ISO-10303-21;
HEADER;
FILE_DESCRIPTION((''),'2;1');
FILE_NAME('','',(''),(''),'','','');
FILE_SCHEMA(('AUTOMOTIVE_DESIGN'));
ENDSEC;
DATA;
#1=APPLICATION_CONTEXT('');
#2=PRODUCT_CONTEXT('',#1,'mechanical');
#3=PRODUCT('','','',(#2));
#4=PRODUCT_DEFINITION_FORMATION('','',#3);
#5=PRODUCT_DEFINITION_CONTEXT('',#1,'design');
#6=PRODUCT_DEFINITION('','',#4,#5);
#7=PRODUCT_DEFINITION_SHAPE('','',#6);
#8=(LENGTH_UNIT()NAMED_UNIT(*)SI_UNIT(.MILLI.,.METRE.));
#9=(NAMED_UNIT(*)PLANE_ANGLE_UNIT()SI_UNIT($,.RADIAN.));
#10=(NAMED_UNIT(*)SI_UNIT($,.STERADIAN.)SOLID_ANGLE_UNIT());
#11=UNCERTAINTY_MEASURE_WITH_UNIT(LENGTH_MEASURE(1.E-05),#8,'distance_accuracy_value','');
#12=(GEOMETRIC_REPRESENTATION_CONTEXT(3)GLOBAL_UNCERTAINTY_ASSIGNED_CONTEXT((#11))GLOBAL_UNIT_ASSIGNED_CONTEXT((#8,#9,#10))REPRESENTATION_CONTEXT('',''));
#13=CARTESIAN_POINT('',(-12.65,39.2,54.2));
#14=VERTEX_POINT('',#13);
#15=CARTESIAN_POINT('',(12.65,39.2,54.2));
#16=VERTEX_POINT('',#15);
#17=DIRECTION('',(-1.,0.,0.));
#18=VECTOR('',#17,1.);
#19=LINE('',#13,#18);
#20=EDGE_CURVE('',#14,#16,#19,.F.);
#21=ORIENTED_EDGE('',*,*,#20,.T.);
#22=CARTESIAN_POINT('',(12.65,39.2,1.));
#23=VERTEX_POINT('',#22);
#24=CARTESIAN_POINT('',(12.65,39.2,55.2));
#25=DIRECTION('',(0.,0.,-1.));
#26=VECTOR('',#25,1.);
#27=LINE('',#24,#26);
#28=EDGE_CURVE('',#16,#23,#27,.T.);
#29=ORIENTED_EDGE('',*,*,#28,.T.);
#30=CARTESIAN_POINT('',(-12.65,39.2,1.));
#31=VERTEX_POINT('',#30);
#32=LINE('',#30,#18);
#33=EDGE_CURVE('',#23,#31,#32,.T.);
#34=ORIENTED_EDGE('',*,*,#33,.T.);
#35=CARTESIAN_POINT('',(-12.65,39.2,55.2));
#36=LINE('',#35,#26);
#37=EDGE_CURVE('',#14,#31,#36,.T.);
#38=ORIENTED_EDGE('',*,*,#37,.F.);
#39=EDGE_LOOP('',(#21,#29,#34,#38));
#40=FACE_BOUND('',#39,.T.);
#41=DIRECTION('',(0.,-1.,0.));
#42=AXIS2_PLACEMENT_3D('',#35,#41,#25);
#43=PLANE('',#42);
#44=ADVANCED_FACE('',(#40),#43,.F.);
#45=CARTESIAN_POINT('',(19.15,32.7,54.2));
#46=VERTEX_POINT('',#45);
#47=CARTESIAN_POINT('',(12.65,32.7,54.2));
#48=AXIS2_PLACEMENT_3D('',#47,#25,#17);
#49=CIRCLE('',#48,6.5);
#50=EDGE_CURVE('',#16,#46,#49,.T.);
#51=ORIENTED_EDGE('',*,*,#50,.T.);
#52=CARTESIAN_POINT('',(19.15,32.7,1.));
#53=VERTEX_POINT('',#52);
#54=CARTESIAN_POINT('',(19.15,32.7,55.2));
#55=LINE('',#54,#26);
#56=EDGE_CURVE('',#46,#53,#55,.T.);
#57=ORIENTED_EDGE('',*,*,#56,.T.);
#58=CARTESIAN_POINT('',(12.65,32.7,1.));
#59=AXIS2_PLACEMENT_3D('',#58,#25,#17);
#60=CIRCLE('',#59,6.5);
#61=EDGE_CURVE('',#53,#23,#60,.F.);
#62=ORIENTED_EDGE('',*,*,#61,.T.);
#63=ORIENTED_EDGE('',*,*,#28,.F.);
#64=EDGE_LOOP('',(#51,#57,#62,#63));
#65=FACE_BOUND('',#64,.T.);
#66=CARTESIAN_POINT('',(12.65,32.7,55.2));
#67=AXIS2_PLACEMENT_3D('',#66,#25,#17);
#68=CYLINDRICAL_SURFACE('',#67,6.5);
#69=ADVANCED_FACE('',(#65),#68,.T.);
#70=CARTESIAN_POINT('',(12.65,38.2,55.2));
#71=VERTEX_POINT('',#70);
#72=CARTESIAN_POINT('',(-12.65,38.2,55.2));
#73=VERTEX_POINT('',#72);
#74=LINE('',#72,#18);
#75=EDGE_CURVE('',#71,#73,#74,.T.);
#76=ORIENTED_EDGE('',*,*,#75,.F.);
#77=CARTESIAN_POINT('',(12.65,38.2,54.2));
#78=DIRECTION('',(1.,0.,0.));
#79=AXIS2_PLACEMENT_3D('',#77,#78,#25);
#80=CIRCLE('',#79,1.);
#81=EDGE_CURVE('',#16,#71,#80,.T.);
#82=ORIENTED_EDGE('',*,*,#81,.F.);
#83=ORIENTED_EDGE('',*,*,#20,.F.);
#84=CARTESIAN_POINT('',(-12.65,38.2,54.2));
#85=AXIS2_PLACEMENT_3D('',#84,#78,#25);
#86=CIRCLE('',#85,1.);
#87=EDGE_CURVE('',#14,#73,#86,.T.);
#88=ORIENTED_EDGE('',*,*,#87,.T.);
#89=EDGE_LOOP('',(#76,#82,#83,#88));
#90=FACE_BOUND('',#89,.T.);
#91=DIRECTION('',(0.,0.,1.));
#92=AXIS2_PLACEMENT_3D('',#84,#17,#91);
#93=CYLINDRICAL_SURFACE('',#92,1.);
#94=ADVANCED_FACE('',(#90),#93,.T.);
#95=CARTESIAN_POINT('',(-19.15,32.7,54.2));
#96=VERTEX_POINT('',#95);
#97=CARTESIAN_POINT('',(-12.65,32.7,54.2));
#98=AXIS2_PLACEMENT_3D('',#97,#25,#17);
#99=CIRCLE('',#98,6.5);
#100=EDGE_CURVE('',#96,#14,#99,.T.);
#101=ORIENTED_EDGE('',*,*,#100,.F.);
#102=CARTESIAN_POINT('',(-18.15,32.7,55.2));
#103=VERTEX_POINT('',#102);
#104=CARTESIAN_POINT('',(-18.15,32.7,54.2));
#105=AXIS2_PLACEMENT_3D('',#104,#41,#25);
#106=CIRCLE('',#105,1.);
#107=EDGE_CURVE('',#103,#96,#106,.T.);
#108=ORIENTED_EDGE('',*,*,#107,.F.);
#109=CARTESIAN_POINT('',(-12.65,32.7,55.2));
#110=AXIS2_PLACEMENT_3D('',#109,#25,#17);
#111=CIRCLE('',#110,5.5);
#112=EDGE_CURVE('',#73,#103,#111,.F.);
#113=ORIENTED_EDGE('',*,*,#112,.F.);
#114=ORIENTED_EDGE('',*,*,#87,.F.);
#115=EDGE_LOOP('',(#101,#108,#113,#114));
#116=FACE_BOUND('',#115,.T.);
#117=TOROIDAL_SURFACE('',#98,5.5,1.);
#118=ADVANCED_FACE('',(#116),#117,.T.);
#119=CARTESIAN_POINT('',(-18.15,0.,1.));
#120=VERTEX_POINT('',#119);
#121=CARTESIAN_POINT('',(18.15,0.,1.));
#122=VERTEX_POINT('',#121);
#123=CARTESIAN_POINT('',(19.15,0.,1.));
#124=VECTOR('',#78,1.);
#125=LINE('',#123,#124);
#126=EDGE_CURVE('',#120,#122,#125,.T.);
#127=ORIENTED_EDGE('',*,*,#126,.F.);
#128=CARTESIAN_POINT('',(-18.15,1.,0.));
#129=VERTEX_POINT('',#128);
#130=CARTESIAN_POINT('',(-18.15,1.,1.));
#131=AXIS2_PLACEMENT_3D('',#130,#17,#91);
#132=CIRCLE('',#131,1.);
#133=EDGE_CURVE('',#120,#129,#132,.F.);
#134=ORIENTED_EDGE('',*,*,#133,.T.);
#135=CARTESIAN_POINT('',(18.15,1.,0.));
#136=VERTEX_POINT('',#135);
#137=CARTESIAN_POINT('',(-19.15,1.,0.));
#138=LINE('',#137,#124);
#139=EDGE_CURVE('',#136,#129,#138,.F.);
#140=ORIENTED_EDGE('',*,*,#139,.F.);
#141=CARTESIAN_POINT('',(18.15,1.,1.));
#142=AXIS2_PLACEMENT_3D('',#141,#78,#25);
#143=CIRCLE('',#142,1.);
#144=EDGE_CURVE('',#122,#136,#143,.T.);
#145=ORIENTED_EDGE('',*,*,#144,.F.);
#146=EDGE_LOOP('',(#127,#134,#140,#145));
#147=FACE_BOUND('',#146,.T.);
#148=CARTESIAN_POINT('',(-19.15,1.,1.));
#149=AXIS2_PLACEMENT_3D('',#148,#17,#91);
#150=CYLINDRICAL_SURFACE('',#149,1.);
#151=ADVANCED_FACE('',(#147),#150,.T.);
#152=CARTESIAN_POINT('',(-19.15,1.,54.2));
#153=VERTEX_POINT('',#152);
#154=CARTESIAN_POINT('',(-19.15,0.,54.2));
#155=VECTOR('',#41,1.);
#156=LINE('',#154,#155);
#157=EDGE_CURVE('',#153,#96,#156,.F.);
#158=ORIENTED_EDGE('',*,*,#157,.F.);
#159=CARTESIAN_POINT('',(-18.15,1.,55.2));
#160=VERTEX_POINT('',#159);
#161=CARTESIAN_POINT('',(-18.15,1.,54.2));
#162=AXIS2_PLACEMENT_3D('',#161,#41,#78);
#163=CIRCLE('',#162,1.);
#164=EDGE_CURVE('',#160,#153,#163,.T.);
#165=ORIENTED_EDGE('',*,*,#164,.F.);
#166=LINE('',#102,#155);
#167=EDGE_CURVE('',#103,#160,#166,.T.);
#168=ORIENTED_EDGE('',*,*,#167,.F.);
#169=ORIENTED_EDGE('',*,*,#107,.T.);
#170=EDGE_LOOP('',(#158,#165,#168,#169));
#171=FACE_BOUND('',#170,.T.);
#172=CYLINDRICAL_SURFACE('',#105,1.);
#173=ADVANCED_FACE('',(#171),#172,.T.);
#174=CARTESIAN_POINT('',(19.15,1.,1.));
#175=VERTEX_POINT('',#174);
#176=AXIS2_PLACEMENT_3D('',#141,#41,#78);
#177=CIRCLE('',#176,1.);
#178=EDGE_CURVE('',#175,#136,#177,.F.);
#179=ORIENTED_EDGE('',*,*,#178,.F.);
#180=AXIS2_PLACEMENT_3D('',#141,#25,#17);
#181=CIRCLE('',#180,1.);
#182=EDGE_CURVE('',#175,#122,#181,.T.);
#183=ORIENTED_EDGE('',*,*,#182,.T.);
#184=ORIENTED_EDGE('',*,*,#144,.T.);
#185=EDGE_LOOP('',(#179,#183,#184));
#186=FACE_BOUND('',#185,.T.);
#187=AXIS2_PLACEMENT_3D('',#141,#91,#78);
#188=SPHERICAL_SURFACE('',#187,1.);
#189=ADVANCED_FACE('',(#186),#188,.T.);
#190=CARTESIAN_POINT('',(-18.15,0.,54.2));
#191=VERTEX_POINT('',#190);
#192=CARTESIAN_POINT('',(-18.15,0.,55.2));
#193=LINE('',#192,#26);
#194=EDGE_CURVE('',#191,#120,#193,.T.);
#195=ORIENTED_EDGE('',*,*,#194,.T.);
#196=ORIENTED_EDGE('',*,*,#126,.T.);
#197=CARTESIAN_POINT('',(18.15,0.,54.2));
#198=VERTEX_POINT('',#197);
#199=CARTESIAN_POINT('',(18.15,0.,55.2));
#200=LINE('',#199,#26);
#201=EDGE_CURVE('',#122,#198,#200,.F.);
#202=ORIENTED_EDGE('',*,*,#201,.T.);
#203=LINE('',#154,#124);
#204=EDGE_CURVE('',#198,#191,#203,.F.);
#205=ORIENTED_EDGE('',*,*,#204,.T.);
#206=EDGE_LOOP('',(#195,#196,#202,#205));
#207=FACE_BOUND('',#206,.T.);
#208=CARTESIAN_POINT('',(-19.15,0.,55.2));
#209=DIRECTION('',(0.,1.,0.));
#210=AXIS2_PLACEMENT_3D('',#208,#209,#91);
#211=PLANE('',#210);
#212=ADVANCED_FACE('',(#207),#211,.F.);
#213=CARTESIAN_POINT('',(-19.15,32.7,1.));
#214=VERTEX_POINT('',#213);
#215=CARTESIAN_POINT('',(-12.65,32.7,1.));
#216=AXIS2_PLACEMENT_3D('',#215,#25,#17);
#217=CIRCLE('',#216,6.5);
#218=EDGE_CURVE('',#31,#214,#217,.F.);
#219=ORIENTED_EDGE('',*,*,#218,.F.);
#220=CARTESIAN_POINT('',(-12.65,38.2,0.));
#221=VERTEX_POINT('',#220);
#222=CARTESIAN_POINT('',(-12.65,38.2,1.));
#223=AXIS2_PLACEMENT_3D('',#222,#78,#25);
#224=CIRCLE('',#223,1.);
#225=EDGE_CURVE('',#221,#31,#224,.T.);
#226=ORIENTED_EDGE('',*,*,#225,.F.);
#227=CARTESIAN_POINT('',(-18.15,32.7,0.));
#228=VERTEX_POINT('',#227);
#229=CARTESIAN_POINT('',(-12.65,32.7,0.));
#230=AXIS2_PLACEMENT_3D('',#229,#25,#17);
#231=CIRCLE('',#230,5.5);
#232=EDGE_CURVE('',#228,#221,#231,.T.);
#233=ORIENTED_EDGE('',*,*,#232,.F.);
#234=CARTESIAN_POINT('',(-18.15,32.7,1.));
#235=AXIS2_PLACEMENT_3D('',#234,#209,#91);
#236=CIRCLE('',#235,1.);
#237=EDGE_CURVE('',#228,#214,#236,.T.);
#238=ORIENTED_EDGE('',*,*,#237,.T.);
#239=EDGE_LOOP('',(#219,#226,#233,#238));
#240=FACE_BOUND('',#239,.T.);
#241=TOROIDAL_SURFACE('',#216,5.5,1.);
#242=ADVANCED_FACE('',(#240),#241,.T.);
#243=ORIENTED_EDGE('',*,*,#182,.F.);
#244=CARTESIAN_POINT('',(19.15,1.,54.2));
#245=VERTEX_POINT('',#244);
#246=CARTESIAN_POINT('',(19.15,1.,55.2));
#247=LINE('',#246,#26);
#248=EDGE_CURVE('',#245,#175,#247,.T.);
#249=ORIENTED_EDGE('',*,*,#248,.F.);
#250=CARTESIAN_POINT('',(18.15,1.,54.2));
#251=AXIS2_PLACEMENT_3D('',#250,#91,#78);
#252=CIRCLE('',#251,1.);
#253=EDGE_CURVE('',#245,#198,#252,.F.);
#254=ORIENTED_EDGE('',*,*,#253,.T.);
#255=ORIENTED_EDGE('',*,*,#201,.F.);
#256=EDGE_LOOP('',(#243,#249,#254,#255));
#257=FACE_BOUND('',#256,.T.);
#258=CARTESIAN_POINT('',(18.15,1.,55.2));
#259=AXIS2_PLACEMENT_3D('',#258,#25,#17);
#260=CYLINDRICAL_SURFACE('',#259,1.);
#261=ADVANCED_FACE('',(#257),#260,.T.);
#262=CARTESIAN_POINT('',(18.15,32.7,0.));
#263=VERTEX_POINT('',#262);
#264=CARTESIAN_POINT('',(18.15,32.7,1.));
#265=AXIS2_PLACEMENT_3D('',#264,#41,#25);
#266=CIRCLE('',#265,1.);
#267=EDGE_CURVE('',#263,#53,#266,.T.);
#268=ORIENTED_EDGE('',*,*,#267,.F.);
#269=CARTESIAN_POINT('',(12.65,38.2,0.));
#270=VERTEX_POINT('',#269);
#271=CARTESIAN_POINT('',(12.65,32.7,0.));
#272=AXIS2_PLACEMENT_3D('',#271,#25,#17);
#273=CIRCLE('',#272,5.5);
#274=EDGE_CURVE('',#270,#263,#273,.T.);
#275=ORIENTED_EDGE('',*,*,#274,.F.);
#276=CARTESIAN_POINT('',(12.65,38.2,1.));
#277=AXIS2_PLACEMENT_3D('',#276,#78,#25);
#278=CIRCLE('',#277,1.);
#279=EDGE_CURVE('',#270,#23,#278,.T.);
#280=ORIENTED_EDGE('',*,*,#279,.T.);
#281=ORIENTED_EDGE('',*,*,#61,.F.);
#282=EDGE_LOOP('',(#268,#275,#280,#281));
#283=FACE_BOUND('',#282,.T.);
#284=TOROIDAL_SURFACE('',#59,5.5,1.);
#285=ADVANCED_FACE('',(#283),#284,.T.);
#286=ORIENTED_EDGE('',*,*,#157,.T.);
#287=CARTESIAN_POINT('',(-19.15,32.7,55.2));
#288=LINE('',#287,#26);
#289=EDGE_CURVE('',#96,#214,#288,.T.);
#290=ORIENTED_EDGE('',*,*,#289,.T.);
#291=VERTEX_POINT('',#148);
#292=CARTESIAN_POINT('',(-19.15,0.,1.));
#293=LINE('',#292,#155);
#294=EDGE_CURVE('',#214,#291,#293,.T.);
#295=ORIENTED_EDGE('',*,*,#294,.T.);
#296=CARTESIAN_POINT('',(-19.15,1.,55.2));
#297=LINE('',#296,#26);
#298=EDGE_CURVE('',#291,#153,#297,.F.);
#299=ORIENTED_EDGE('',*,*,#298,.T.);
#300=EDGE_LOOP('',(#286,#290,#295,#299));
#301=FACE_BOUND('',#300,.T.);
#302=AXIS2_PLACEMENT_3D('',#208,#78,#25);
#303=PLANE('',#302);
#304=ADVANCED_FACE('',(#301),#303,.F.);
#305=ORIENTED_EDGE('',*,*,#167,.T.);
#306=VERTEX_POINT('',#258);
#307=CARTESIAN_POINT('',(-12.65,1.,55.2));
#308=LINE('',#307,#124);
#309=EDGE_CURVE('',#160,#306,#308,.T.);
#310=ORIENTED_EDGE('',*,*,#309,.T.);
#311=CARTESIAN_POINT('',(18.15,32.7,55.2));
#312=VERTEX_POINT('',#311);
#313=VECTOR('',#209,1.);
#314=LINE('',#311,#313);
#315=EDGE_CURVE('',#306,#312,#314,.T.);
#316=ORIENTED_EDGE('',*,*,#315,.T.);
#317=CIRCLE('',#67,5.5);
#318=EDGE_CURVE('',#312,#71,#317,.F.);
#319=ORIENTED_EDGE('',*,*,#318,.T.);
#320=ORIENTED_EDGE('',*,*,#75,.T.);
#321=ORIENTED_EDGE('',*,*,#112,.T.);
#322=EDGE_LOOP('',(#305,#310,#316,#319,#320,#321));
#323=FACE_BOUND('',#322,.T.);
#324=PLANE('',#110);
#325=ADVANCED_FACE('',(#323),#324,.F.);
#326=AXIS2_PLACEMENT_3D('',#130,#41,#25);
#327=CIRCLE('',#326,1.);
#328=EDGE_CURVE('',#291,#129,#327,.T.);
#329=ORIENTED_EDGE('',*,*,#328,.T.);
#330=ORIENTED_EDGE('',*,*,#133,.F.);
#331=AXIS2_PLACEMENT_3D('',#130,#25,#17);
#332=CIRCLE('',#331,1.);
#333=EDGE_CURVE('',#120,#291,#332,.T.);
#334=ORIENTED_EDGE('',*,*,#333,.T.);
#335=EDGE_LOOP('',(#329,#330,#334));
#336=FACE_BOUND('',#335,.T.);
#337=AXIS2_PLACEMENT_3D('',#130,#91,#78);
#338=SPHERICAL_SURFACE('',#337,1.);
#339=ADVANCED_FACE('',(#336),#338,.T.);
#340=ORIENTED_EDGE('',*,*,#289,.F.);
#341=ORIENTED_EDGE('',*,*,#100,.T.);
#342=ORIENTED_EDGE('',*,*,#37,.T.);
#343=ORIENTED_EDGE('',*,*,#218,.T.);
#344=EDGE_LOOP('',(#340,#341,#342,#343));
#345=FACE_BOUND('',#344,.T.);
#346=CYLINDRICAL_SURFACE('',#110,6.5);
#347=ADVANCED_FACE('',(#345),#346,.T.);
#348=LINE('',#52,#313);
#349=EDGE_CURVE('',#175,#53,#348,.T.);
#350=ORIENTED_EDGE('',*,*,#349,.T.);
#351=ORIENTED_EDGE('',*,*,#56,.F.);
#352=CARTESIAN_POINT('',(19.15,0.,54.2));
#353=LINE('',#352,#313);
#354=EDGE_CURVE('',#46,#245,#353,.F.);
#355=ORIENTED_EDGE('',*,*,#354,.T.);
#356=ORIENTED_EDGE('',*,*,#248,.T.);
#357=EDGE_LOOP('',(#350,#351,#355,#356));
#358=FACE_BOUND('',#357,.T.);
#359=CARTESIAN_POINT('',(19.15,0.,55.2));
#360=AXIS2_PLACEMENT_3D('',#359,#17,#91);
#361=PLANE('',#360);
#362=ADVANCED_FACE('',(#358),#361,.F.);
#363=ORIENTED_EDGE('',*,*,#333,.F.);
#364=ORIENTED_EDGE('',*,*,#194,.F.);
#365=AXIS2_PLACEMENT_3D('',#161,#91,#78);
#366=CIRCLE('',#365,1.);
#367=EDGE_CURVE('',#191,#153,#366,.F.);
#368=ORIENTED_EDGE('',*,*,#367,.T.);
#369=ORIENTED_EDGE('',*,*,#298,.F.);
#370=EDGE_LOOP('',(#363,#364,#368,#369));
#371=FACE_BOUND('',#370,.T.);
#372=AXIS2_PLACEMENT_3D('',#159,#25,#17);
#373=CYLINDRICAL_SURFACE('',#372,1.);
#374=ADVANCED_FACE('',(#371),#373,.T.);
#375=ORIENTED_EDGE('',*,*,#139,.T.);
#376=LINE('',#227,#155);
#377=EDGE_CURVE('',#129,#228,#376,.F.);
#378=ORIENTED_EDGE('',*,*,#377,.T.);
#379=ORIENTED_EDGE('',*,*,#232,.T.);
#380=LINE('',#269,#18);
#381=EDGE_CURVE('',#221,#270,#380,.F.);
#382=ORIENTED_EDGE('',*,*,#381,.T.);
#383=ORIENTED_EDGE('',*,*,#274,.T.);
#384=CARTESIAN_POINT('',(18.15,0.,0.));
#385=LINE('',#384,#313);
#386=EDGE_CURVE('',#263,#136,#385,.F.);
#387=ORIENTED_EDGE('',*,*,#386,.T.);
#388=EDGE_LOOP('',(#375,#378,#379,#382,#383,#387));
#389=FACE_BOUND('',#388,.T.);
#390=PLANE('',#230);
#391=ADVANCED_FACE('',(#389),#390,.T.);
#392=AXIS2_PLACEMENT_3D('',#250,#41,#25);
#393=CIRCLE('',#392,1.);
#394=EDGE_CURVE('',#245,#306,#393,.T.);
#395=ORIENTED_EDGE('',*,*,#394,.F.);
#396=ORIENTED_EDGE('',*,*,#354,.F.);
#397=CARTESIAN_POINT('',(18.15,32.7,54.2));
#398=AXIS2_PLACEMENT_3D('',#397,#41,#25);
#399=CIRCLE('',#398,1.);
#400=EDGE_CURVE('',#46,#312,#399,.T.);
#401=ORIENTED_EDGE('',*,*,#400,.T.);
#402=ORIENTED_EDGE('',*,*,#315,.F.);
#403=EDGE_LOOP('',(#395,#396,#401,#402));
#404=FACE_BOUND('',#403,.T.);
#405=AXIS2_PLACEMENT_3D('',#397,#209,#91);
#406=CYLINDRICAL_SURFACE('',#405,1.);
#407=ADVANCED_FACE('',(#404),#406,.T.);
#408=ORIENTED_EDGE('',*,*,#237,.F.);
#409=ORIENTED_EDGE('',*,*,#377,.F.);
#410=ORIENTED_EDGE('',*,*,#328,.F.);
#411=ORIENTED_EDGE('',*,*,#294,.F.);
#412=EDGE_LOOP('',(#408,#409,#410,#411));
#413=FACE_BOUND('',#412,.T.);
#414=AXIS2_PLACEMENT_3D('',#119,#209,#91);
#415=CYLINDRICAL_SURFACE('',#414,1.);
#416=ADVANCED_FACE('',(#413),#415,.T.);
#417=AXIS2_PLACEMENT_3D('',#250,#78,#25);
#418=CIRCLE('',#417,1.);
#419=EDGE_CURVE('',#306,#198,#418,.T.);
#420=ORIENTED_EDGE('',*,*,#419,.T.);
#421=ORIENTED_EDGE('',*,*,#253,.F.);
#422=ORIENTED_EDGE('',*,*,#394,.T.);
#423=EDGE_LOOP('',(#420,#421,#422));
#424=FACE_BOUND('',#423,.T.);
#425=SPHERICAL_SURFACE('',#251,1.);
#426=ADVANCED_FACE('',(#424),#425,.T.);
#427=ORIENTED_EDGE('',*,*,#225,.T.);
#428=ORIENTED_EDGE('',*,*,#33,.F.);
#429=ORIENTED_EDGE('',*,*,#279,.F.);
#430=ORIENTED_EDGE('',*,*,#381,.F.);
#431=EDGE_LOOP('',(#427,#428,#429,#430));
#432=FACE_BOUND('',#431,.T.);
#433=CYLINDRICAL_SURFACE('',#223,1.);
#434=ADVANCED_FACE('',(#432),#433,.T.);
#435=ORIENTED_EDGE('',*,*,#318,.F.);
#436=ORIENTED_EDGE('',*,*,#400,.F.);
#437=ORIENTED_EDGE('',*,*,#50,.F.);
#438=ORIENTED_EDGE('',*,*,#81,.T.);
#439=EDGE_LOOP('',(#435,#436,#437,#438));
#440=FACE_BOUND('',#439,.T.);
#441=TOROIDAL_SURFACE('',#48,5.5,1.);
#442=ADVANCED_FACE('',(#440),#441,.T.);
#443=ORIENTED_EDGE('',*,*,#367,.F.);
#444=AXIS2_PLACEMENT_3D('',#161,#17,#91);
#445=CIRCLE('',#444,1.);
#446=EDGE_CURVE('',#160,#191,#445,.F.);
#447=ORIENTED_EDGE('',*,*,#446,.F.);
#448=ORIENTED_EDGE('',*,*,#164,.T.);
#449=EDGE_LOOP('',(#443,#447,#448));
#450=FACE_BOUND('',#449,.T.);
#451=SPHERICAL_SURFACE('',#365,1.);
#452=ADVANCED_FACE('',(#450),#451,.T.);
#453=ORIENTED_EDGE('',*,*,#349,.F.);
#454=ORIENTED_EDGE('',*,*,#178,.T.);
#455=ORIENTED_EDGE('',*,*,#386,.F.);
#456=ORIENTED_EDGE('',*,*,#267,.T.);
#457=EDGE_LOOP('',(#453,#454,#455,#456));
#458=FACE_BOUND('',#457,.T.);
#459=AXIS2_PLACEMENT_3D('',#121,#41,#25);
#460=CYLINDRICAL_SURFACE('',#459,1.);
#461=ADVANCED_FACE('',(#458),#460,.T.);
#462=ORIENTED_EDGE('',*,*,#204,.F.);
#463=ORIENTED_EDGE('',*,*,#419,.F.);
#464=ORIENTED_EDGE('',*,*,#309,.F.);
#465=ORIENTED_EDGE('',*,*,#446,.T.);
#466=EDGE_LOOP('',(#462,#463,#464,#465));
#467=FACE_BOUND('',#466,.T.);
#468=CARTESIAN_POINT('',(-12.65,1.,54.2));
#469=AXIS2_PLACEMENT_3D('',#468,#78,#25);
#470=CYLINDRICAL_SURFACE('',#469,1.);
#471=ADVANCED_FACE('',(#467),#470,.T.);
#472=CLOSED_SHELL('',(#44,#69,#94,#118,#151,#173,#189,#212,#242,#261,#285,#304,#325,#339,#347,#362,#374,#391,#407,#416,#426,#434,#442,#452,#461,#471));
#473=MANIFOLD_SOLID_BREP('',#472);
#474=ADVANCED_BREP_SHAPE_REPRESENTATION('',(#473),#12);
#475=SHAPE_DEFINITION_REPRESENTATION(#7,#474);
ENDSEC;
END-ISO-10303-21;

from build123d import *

# Parameters (mm, degrees)
EXTRUDE1_DEPTH = 55.2
FILLET1_R      = 1


with BuildPart() as part:
    # Sketch1 → Extrude1 (new body)
    with BuildSketch(Plane.XY):
        with BuildLine():
            Line((-19.15, 0), (19.15, 0))
            Line((19.15, 0), (19.15, 32.7))
            ThreePointArc((19.15, 32.7), (17.246194078, 37.296194078), (12.65, 39.2))
            Line((12.65, 39.2), (-12.65, 39.2))
            ThreePointArc((-12.65, 39.2), (-17.246194078, 37.296194078), (-19.15, 32.7))
            Line((-19.15, 32.7), (-19.15, 0))
        make_face()
    extrude(amount=EXTRUDE1_DEPTH)

    # Fillet1
    fillet1_edges = [part.edges().sort_by_distance(p)[0] for p in [
        (19.15, 16.35, 55.2),
        (19.15, 0, 27.6),
        (-19.15, 0, 27.6),
        (17.246194078, 37.296194078, 55.2),
        (0, 39.2, 55.2),
        (-17.246194078, 37.296194078, 55.2),
        (-19.15, 16.35, 55.2),
        (-17.246194078, 37.296194078, 0),
        (0, 39.2, 0),
        (17.246194078, 37.296194078, 0),
        (19.15, 16.35, 0),
        (0, 0, 55.2),
        (0, 0, 0),
        (-19.15, 16.35, 0),
    ]]
    fillet(fillet1_edges, radius=FILLET1_R)


solid = part.part
